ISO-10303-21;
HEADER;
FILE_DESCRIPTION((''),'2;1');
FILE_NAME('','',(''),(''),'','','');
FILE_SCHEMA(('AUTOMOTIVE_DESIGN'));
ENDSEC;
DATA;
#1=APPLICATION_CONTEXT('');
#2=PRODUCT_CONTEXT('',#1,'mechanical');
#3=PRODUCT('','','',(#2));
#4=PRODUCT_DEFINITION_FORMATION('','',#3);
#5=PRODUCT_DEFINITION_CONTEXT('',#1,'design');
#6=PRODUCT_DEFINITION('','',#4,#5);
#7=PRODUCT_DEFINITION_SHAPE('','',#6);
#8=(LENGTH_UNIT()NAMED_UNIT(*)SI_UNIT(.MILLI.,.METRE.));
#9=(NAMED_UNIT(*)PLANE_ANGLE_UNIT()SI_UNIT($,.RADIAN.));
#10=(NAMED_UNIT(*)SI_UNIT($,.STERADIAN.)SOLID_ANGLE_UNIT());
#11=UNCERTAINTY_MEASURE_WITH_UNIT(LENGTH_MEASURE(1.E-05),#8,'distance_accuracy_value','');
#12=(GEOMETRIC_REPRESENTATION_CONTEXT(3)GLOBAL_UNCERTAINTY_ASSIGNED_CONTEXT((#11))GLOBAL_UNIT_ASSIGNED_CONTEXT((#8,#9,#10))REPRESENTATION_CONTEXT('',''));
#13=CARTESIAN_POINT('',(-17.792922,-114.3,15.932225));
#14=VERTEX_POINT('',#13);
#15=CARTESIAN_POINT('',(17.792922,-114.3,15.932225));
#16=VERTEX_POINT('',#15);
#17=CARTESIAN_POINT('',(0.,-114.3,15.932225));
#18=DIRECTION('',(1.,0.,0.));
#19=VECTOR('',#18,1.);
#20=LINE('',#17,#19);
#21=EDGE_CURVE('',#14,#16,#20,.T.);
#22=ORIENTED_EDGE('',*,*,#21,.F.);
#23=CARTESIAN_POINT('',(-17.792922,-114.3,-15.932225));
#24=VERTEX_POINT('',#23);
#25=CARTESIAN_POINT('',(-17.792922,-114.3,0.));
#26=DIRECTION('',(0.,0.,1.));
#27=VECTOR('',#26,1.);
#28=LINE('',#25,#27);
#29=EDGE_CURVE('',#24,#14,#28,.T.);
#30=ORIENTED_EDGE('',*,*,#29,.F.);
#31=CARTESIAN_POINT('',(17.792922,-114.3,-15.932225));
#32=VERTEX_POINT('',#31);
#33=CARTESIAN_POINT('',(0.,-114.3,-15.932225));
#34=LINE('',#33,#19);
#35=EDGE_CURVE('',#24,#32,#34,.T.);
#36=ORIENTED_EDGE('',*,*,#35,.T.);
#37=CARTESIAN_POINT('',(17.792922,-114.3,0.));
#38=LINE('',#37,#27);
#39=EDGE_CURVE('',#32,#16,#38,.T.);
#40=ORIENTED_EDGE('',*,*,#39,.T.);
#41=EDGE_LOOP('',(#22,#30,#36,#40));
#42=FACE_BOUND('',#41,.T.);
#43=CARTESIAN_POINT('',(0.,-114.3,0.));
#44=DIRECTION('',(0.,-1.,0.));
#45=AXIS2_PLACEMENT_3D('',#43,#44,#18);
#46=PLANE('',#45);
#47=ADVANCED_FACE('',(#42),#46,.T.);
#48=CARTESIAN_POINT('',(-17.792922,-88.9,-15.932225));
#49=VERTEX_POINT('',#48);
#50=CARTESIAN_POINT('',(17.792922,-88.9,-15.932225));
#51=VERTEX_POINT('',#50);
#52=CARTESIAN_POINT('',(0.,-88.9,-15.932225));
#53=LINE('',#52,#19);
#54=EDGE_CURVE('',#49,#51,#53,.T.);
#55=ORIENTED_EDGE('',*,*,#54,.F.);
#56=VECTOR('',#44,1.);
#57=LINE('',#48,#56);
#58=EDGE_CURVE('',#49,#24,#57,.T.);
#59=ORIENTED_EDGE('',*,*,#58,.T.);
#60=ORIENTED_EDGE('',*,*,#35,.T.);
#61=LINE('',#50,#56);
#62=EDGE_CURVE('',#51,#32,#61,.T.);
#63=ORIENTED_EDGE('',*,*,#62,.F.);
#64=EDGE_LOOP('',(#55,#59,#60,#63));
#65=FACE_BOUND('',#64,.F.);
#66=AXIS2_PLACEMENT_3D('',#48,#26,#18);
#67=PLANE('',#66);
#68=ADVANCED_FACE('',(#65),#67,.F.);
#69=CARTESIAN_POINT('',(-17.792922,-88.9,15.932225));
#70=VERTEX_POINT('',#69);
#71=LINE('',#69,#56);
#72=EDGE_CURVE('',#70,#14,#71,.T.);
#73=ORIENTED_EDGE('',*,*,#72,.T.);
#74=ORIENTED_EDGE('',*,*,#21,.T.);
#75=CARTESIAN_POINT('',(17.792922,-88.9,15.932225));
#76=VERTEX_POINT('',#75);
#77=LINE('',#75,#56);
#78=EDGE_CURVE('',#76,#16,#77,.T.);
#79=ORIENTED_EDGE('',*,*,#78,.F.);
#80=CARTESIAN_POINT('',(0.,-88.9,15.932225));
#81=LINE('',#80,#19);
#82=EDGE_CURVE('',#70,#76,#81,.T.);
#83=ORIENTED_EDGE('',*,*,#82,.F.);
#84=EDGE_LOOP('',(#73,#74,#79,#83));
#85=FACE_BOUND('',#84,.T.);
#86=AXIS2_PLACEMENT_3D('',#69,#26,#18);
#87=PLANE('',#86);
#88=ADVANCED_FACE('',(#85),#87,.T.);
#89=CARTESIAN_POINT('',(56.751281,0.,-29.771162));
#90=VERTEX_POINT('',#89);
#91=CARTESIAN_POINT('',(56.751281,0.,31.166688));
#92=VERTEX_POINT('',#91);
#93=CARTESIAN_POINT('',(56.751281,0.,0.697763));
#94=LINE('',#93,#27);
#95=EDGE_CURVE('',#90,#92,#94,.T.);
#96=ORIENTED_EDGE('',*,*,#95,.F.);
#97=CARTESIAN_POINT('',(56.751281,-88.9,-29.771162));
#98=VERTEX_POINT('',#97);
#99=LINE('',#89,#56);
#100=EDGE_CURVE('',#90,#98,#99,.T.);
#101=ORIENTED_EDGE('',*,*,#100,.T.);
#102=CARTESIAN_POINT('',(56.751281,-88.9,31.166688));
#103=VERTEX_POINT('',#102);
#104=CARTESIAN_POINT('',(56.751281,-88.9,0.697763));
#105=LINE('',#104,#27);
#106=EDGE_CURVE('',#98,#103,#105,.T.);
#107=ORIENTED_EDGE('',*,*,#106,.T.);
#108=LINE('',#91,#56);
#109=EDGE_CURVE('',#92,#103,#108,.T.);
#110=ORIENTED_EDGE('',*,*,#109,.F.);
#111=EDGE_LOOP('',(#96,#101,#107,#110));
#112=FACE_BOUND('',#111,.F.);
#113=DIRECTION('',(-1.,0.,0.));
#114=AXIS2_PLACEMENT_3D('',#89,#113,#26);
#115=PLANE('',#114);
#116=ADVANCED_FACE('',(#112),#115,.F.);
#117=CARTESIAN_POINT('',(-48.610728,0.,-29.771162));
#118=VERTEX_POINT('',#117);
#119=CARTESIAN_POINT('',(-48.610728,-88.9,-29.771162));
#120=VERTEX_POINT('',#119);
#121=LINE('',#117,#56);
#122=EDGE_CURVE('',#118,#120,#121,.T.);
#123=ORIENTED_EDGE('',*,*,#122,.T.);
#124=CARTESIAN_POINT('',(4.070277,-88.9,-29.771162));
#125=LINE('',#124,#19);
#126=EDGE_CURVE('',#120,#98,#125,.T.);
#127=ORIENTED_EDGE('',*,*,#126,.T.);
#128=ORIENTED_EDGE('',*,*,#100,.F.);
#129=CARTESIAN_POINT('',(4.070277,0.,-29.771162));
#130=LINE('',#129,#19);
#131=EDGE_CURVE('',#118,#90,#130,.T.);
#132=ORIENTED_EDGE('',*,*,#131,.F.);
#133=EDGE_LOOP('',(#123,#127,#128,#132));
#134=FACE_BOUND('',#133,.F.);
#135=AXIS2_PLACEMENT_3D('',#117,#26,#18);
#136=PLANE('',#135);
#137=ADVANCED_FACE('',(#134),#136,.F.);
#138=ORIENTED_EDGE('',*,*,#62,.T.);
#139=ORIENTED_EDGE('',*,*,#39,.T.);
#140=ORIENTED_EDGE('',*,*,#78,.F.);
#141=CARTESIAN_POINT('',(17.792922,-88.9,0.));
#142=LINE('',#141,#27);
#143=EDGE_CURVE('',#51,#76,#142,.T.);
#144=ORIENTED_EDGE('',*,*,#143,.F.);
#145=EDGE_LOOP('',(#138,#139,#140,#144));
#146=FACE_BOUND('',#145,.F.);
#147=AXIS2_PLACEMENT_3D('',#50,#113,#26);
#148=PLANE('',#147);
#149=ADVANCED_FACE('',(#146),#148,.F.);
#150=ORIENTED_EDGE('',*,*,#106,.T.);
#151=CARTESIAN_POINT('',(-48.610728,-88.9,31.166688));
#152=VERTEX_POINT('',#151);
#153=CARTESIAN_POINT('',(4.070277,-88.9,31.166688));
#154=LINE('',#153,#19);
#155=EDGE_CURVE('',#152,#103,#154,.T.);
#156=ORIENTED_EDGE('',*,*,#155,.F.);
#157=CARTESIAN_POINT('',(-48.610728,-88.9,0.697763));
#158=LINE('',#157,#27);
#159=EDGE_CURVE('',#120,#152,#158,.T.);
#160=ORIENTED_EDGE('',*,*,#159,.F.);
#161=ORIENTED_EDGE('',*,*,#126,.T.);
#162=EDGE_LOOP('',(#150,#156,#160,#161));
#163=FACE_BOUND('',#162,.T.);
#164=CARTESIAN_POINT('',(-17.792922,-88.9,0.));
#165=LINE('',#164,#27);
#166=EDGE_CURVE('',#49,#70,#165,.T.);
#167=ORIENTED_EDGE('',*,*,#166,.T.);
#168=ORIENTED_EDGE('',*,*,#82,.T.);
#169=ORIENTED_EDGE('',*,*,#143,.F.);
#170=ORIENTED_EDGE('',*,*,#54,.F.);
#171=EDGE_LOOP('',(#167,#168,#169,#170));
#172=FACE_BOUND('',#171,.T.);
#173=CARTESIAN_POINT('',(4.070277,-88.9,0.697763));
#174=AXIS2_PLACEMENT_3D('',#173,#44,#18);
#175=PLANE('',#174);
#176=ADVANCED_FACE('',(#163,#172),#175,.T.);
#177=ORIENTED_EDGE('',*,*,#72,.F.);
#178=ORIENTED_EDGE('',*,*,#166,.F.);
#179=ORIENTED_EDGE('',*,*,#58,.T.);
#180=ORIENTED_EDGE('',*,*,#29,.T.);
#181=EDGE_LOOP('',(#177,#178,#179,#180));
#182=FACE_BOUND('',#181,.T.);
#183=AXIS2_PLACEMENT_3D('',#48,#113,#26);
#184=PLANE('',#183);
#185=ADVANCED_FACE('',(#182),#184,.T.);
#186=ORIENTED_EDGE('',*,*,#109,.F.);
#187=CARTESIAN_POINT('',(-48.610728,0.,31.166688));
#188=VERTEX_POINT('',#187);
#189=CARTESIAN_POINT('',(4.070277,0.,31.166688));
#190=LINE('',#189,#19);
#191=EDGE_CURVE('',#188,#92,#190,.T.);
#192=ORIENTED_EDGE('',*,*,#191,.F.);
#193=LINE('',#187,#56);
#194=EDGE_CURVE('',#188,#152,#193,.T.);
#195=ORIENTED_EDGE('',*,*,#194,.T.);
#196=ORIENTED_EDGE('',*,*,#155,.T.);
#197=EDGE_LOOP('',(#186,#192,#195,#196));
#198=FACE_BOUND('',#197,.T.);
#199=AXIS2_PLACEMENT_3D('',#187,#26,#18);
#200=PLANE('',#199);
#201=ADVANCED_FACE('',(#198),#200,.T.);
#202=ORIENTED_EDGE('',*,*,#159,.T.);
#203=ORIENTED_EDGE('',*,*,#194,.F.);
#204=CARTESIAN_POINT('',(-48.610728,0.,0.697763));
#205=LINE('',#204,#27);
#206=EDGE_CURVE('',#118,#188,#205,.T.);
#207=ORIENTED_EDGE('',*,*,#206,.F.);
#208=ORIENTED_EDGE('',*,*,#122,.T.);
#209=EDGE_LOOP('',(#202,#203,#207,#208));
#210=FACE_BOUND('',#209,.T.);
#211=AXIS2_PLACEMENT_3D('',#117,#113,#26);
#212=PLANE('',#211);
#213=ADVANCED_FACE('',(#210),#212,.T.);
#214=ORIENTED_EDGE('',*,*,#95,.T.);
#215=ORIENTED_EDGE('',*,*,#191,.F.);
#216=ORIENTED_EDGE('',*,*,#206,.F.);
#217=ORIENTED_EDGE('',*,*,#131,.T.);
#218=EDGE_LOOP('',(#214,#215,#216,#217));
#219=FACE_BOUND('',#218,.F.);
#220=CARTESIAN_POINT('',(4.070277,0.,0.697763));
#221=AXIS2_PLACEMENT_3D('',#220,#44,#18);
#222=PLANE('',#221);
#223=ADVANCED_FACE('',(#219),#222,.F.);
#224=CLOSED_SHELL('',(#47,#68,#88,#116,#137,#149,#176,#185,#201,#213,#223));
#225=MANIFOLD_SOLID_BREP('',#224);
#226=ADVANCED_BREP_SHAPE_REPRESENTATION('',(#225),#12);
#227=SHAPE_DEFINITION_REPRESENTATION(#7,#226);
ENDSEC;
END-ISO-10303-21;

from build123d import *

# Parameters (mm, degrees)
F0_W     = 105.362009
F0_H     = 60.93785
F1_DEPTH = 88.9
F2_W     = 35.585844
F2_H     = 31.86445
F3_DEPTH = 25.4


with BuildPart() as f1:
    # F0 (on Front) → F1 (new body)
    with BuildSketch(Plane.XZ):
        with Locations((4.070277, 0.697763)):
            Rectangle(F0_W, F0_H)
    extrude(amount=F1_DEPTH)

    # F2 (on face) → F3 (join)
    with BuildSketch(Plane.XZ.offset(88.9)):
        Rectangle(F2_W, F2_H)
    extrude(amount=F3_DEPTH)


solid = f1.part
